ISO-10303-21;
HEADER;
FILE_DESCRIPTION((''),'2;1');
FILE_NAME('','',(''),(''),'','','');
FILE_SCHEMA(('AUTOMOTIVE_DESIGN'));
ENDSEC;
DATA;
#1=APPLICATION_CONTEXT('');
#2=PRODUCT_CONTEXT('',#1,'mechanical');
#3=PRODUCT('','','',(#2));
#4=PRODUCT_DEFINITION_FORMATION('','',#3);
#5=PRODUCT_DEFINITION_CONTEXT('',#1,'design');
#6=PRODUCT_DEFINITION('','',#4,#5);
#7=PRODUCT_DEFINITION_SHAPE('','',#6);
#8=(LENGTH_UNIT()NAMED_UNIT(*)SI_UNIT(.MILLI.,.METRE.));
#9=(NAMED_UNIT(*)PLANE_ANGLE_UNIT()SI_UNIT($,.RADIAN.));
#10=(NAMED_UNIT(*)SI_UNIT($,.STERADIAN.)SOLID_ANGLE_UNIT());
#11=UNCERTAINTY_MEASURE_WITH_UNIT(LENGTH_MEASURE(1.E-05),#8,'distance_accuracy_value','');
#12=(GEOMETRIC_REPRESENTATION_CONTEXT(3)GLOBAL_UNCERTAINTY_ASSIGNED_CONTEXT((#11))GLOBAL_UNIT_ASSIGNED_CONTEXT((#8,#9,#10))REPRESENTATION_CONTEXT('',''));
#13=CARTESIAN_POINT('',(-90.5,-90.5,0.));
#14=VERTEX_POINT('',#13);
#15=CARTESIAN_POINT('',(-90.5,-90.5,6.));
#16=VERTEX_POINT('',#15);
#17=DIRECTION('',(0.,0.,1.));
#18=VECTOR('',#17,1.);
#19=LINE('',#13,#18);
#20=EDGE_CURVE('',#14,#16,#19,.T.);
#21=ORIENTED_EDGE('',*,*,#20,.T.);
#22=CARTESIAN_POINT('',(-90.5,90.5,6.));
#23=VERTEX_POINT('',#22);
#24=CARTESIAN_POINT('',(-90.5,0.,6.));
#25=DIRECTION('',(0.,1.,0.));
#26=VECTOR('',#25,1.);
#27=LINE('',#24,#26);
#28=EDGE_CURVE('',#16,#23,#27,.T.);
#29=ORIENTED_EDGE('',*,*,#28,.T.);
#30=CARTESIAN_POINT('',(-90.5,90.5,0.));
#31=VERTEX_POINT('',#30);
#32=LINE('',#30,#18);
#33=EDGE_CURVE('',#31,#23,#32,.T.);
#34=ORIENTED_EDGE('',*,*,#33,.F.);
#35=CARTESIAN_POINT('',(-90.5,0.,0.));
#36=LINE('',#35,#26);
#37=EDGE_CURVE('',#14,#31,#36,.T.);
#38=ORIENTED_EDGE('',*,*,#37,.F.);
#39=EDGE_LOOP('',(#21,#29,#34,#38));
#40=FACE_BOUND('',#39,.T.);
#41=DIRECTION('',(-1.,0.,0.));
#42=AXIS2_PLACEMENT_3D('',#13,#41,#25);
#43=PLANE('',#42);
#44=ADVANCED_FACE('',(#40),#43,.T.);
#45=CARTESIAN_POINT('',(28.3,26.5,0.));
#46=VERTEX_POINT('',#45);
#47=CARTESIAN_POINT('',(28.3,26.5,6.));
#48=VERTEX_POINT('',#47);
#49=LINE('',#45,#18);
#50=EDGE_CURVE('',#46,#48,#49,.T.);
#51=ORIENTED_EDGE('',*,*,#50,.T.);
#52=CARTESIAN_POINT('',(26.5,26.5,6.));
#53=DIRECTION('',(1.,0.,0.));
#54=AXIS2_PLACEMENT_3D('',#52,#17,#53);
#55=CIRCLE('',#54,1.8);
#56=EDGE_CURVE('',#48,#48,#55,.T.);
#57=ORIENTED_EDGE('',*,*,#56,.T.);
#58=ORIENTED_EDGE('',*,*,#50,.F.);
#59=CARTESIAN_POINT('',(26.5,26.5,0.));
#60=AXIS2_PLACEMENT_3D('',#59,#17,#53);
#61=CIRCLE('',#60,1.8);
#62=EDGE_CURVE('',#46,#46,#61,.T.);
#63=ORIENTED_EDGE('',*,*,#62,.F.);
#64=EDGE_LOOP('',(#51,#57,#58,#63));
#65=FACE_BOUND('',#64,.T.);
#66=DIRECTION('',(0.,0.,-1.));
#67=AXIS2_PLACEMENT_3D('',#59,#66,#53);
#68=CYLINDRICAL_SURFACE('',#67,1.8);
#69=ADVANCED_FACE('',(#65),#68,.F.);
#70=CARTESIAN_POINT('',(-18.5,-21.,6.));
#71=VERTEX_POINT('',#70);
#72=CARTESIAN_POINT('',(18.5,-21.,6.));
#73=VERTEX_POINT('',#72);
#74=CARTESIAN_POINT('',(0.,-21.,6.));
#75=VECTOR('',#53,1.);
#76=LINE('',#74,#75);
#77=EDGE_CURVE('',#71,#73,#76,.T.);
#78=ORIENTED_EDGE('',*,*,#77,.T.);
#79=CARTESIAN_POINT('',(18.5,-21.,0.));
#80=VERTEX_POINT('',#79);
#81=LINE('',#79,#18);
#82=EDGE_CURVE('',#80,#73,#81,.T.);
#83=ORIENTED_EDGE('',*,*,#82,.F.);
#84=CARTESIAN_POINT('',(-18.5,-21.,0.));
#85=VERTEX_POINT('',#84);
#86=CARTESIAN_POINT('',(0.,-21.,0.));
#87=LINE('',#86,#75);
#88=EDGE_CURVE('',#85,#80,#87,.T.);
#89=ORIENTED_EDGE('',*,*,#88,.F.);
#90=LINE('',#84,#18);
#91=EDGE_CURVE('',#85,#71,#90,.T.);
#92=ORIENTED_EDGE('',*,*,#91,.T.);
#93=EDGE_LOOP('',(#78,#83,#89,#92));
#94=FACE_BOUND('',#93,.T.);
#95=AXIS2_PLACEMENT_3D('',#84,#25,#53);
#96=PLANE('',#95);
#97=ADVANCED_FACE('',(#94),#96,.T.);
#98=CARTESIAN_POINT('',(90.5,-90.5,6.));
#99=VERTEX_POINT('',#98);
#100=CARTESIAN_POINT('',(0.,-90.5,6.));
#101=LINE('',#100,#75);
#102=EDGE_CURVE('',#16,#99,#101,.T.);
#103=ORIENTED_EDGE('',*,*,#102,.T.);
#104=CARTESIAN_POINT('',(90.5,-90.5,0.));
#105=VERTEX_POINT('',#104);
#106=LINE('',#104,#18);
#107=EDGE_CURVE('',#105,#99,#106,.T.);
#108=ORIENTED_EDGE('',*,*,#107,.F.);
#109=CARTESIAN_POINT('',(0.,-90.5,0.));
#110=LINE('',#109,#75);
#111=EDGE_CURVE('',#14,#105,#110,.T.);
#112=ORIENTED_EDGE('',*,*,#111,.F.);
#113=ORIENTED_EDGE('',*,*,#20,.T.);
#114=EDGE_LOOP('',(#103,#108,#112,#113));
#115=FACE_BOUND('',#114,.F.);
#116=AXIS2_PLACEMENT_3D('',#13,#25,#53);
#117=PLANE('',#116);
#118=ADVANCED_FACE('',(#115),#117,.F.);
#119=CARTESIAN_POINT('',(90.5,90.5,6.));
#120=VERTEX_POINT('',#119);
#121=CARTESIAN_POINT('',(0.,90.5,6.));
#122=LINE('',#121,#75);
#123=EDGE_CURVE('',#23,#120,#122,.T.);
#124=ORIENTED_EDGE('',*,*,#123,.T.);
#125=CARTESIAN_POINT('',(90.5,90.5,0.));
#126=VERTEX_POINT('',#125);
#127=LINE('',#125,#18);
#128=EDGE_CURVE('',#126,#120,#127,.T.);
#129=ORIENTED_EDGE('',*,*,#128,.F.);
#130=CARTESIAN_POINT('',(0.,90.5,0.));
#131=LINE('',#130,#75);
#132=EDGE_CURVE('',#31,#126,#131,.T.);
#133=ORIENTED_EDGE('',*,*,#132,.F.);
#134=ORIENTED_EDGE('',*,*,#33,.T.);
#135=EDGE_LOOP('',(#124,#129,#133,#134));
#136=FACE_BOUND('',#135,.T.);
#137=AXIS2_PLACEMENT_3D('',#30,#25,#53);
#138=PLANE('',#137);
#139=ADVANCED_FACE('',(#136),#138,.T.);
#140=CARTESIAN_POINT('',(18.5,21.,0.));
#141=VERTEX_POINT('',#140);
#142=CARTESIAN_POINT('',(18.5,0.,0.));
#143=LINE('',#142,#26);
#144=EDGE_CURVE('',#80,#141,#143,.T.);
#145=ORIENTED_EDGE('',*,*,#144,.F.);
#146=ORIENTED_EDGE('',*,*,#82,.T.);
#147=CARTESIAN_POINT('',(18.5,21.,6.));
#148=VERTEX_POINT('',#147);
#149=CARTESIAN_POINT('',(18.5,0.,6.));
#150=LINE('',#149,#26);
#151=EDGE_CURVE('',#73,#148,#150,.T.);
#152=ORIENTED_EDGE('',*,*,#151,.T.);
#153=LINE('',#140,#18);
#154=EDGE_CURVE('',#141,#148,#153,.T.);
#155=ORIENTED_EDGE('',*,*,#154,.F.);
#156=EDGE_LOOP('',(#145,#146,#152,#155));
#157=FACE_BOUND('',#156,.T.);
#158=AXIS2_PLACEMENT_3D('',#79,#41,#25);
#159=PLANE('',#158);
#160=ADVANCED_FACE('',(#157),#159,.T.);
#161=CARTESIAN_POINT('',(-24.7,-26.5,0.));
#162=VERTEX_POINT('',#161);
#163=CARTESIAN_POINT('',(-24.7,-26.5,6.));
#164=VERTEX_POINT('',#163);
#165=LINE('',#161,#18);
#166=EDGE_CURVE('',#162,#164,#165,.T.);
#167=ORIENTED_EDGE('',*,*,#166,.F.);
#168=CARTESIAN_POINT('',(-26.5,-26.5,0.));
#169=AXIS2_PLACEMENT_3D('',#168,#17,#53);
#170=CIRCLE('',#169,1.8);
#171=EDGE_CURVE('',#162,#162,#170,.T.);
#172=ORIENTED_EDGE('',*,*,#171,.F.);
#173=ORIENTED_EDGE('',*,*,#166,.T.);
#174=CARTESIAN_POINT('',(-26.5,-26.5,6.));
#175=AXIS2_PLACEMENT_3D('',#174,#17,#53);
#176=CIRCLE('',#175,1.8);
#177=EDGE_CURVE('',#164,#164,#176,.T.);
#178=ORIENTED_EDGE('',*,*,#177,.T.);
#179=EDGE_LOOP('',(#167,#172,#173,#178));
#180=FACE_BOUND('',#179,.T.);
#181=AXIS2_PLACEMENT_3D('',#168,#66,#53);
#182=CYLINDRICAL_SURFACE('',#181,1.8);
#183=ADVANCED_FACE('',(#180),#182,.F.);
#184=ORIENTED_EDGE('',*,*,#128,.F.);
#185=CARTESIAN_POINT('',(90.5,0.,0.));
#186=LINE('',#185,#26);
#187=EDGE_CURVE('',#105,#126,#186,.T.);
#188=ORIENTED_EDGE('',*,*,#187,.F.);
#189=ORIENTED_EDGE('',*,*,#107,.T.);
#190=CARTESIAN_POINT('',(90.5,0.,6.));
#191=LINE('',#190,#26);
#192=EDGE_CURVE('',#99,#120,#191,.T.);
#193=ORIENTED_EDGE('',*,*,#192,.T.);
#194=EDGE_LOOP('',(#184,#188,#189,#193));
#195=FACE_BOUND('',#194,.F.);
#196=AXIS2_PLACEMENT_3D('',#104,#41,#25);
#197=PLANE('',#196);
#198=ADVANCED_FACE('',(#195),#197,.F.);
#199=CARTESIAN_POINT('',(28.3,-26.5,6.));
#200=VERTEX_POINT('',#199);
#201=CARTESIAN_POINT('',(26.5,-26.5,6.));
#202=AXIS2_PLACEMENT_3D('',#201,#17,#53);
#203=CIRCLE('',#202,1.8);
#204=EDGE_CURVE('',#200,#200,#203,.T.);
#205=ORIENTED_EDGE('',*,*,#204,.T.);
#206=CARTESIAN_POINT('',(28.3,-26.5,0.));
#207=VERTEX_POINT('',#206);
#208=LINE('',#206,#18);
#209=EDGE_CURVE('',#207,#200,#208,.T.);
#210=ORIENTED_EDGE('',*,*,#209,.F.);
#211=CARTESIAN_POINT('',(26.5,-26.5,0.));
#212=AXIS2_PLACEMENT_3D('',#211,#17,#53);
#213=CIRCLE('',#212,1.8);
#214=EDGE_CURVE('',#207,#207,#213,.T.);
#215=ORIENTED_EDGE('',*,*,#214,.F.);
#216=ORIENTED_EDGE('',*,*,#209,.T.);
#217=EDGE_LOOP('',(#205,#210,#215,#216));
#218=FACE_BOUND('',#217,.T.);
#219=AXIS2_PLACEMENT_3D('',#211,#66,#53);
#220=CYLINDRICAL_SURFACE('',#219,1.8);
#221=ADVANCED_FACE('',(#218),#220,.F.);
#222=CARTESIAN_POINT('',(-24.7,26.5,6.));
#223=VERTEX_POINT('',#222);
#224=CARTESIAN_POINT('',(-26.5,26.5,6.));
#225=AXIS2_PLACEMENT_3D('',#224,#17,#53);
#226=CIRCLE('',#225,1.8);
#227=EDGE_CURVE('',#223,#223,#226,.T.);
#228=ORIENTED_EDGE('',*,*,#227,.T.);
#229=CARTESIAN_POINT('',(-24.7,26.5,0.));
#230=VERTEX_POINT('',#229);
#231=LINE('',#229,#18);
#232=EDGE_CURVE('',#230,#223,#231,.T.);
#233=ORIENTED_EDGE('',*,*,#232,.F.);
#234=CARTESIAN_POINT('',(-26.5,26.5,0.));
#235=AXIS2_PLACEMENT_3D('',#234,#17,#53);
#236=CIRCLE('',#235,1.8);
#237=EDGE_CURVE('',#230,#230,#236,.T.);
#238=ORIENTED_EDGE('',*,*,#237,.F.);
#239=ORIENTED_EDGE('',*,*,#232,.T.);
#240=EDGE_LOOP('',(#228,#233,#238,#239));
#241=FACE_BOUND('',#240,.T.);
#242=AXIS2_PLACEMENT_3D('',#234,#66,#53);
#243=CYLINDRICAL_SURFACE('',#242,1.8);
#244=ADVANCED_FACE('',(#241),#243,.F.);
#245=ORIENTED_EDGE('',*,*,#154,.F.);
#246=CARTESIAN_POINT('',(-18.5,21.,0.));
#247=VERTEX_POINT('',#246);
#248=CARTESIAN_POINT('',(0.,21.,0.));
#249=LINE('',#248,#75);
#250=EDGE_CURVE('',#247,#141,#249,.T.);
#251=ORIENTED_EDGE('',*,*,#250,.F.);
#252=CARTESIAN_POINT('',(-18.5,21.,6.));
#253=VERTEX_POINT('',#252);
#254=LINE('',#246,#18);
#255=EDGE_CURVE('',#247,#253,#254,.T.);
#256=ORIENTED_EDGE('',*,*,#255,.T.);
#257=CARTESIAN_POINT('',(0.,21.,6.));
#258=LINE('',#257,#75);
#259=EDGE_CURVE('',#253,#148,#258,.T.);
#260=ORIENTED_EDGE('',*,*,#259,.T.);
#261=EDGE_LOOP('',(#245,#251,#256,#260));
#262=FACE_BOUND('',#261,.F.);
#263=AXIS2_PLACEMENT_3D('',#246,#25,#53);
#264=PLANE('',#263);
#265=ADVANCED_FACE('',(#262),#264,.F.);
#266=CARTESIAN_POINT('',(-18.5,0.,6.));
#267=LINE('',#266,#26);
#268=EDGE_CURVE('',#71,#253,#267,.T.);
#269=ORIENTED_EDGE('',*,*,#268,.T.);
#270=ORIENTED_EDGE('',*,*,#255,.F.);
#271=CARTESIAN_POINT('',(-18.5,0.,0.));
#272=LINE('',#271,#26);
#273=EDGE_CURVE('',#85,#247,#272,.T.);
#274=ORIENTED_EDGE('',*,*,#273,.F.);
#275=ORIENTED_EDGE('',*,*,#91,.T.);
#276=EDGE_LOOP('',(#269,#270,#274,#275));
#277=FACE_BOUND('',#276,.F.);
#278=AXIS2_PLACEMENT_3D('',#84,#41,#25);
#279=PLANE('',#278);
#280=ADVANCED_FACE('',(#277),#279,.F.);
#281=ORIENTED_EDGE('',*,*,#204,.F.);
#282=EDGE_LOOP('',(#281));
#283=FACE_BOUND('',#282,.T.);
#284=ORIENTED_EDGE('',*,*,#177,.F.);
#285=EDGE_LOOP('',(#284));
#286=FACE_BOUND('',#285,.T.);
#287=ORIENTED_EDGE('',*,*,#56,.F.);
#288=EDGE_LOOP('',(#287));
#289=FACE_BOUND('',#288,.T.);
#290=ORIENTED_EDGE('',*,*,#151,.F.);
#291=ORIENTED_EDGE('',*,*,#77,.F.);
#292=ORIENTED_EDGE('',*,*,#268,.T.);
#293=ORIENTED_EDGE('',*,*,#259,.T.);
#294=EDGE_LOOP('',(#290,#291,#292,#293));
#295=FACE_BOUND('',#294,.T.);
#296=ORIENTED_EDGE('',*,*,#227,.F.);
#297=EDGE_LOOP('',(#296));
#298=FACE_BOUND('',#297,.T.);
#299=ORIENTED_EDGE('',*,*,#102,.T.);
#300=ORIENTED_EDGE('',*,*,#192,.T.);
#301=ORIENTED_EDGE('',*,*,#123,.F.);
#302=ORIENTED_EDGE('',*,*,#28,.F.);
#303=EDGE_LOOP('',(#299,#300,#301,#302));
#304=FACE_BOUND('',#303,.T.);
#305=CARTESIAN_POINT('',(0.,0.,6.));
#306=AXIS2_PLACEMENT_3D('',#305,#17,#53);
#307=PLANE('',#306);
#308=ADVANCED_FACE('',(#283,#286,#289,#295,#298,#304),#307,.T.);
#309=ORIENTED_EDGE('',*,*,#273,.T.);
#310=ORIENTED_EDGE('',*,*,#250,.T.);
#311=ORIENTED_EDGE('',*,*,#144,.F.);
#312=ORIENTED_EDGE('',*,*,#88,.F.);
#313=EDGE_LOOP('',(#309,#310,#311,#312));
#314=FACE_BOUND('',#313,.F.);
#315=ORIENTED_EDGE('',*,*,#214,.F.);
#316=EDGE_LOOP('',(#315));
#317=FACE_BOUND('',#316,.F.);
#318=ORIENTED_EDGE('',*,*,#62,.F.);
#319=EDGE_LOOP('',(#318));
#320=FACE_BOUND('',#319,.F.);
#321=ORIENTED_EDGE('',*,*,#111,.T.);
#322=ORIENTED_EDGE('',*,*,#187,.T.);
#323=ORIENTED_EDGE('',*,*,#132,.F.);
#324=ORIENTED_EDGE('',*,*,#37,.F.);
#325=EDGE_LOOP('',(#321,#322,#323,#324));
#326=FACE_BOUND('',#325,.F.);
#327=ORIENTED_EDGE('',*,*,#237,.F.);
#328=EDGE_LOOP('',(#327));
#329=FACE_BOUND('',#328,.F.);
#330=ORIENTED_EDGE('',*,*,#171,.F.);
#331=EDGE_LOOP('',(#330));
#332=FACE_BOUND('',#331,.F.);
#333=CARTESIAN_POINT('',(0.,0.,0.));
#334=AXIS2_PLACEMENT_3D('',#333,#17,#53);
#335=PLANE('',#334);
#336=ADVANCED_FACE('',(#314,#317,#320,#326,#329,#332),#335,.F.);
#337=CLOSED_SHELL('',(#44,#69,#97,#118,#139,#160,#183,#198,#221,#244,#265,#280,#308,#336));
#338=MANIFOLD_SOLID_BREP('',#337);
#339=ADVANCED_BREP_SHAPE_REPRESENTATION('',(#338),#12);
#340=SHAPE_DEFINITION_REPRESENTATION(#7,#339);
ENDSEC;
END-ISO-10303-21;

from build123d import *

# Parameters (mm, degrees)
F0_W     = 181
F0_H     = 181
F0_R     = 1.8
F0_W_2   = 37
F0_H_2   = 42
F1_DEPTH = 6


with BuildPart() as f1:
    # F0 (on Top) → F1 (new body)
    with BuildSketch(Plane.XY):
        Rectangle(F0_W, F0_H)
        with Locations((-26.5, -26.5)):
            Circle(F0_R, mode=Mode.SUBTRACT)
        with Locations((26.5, -26.5)):
            Circle(F0_R, mode=Mode.SUBTRACT)
        with Locations((-26.5, 26.5)):
            Circle(F0_R, mode=Mode.SUBTRACT)
        Rectangle(F0_W_2, F0_H_2, mode=Mode.SUBTRACT)
        with Locations((26.5, 26.5)):
            Circle(F0_R, mode=Mode.SUBTRACT)
    extrude(amount=F1_DEPTH)


solid = f1.part
